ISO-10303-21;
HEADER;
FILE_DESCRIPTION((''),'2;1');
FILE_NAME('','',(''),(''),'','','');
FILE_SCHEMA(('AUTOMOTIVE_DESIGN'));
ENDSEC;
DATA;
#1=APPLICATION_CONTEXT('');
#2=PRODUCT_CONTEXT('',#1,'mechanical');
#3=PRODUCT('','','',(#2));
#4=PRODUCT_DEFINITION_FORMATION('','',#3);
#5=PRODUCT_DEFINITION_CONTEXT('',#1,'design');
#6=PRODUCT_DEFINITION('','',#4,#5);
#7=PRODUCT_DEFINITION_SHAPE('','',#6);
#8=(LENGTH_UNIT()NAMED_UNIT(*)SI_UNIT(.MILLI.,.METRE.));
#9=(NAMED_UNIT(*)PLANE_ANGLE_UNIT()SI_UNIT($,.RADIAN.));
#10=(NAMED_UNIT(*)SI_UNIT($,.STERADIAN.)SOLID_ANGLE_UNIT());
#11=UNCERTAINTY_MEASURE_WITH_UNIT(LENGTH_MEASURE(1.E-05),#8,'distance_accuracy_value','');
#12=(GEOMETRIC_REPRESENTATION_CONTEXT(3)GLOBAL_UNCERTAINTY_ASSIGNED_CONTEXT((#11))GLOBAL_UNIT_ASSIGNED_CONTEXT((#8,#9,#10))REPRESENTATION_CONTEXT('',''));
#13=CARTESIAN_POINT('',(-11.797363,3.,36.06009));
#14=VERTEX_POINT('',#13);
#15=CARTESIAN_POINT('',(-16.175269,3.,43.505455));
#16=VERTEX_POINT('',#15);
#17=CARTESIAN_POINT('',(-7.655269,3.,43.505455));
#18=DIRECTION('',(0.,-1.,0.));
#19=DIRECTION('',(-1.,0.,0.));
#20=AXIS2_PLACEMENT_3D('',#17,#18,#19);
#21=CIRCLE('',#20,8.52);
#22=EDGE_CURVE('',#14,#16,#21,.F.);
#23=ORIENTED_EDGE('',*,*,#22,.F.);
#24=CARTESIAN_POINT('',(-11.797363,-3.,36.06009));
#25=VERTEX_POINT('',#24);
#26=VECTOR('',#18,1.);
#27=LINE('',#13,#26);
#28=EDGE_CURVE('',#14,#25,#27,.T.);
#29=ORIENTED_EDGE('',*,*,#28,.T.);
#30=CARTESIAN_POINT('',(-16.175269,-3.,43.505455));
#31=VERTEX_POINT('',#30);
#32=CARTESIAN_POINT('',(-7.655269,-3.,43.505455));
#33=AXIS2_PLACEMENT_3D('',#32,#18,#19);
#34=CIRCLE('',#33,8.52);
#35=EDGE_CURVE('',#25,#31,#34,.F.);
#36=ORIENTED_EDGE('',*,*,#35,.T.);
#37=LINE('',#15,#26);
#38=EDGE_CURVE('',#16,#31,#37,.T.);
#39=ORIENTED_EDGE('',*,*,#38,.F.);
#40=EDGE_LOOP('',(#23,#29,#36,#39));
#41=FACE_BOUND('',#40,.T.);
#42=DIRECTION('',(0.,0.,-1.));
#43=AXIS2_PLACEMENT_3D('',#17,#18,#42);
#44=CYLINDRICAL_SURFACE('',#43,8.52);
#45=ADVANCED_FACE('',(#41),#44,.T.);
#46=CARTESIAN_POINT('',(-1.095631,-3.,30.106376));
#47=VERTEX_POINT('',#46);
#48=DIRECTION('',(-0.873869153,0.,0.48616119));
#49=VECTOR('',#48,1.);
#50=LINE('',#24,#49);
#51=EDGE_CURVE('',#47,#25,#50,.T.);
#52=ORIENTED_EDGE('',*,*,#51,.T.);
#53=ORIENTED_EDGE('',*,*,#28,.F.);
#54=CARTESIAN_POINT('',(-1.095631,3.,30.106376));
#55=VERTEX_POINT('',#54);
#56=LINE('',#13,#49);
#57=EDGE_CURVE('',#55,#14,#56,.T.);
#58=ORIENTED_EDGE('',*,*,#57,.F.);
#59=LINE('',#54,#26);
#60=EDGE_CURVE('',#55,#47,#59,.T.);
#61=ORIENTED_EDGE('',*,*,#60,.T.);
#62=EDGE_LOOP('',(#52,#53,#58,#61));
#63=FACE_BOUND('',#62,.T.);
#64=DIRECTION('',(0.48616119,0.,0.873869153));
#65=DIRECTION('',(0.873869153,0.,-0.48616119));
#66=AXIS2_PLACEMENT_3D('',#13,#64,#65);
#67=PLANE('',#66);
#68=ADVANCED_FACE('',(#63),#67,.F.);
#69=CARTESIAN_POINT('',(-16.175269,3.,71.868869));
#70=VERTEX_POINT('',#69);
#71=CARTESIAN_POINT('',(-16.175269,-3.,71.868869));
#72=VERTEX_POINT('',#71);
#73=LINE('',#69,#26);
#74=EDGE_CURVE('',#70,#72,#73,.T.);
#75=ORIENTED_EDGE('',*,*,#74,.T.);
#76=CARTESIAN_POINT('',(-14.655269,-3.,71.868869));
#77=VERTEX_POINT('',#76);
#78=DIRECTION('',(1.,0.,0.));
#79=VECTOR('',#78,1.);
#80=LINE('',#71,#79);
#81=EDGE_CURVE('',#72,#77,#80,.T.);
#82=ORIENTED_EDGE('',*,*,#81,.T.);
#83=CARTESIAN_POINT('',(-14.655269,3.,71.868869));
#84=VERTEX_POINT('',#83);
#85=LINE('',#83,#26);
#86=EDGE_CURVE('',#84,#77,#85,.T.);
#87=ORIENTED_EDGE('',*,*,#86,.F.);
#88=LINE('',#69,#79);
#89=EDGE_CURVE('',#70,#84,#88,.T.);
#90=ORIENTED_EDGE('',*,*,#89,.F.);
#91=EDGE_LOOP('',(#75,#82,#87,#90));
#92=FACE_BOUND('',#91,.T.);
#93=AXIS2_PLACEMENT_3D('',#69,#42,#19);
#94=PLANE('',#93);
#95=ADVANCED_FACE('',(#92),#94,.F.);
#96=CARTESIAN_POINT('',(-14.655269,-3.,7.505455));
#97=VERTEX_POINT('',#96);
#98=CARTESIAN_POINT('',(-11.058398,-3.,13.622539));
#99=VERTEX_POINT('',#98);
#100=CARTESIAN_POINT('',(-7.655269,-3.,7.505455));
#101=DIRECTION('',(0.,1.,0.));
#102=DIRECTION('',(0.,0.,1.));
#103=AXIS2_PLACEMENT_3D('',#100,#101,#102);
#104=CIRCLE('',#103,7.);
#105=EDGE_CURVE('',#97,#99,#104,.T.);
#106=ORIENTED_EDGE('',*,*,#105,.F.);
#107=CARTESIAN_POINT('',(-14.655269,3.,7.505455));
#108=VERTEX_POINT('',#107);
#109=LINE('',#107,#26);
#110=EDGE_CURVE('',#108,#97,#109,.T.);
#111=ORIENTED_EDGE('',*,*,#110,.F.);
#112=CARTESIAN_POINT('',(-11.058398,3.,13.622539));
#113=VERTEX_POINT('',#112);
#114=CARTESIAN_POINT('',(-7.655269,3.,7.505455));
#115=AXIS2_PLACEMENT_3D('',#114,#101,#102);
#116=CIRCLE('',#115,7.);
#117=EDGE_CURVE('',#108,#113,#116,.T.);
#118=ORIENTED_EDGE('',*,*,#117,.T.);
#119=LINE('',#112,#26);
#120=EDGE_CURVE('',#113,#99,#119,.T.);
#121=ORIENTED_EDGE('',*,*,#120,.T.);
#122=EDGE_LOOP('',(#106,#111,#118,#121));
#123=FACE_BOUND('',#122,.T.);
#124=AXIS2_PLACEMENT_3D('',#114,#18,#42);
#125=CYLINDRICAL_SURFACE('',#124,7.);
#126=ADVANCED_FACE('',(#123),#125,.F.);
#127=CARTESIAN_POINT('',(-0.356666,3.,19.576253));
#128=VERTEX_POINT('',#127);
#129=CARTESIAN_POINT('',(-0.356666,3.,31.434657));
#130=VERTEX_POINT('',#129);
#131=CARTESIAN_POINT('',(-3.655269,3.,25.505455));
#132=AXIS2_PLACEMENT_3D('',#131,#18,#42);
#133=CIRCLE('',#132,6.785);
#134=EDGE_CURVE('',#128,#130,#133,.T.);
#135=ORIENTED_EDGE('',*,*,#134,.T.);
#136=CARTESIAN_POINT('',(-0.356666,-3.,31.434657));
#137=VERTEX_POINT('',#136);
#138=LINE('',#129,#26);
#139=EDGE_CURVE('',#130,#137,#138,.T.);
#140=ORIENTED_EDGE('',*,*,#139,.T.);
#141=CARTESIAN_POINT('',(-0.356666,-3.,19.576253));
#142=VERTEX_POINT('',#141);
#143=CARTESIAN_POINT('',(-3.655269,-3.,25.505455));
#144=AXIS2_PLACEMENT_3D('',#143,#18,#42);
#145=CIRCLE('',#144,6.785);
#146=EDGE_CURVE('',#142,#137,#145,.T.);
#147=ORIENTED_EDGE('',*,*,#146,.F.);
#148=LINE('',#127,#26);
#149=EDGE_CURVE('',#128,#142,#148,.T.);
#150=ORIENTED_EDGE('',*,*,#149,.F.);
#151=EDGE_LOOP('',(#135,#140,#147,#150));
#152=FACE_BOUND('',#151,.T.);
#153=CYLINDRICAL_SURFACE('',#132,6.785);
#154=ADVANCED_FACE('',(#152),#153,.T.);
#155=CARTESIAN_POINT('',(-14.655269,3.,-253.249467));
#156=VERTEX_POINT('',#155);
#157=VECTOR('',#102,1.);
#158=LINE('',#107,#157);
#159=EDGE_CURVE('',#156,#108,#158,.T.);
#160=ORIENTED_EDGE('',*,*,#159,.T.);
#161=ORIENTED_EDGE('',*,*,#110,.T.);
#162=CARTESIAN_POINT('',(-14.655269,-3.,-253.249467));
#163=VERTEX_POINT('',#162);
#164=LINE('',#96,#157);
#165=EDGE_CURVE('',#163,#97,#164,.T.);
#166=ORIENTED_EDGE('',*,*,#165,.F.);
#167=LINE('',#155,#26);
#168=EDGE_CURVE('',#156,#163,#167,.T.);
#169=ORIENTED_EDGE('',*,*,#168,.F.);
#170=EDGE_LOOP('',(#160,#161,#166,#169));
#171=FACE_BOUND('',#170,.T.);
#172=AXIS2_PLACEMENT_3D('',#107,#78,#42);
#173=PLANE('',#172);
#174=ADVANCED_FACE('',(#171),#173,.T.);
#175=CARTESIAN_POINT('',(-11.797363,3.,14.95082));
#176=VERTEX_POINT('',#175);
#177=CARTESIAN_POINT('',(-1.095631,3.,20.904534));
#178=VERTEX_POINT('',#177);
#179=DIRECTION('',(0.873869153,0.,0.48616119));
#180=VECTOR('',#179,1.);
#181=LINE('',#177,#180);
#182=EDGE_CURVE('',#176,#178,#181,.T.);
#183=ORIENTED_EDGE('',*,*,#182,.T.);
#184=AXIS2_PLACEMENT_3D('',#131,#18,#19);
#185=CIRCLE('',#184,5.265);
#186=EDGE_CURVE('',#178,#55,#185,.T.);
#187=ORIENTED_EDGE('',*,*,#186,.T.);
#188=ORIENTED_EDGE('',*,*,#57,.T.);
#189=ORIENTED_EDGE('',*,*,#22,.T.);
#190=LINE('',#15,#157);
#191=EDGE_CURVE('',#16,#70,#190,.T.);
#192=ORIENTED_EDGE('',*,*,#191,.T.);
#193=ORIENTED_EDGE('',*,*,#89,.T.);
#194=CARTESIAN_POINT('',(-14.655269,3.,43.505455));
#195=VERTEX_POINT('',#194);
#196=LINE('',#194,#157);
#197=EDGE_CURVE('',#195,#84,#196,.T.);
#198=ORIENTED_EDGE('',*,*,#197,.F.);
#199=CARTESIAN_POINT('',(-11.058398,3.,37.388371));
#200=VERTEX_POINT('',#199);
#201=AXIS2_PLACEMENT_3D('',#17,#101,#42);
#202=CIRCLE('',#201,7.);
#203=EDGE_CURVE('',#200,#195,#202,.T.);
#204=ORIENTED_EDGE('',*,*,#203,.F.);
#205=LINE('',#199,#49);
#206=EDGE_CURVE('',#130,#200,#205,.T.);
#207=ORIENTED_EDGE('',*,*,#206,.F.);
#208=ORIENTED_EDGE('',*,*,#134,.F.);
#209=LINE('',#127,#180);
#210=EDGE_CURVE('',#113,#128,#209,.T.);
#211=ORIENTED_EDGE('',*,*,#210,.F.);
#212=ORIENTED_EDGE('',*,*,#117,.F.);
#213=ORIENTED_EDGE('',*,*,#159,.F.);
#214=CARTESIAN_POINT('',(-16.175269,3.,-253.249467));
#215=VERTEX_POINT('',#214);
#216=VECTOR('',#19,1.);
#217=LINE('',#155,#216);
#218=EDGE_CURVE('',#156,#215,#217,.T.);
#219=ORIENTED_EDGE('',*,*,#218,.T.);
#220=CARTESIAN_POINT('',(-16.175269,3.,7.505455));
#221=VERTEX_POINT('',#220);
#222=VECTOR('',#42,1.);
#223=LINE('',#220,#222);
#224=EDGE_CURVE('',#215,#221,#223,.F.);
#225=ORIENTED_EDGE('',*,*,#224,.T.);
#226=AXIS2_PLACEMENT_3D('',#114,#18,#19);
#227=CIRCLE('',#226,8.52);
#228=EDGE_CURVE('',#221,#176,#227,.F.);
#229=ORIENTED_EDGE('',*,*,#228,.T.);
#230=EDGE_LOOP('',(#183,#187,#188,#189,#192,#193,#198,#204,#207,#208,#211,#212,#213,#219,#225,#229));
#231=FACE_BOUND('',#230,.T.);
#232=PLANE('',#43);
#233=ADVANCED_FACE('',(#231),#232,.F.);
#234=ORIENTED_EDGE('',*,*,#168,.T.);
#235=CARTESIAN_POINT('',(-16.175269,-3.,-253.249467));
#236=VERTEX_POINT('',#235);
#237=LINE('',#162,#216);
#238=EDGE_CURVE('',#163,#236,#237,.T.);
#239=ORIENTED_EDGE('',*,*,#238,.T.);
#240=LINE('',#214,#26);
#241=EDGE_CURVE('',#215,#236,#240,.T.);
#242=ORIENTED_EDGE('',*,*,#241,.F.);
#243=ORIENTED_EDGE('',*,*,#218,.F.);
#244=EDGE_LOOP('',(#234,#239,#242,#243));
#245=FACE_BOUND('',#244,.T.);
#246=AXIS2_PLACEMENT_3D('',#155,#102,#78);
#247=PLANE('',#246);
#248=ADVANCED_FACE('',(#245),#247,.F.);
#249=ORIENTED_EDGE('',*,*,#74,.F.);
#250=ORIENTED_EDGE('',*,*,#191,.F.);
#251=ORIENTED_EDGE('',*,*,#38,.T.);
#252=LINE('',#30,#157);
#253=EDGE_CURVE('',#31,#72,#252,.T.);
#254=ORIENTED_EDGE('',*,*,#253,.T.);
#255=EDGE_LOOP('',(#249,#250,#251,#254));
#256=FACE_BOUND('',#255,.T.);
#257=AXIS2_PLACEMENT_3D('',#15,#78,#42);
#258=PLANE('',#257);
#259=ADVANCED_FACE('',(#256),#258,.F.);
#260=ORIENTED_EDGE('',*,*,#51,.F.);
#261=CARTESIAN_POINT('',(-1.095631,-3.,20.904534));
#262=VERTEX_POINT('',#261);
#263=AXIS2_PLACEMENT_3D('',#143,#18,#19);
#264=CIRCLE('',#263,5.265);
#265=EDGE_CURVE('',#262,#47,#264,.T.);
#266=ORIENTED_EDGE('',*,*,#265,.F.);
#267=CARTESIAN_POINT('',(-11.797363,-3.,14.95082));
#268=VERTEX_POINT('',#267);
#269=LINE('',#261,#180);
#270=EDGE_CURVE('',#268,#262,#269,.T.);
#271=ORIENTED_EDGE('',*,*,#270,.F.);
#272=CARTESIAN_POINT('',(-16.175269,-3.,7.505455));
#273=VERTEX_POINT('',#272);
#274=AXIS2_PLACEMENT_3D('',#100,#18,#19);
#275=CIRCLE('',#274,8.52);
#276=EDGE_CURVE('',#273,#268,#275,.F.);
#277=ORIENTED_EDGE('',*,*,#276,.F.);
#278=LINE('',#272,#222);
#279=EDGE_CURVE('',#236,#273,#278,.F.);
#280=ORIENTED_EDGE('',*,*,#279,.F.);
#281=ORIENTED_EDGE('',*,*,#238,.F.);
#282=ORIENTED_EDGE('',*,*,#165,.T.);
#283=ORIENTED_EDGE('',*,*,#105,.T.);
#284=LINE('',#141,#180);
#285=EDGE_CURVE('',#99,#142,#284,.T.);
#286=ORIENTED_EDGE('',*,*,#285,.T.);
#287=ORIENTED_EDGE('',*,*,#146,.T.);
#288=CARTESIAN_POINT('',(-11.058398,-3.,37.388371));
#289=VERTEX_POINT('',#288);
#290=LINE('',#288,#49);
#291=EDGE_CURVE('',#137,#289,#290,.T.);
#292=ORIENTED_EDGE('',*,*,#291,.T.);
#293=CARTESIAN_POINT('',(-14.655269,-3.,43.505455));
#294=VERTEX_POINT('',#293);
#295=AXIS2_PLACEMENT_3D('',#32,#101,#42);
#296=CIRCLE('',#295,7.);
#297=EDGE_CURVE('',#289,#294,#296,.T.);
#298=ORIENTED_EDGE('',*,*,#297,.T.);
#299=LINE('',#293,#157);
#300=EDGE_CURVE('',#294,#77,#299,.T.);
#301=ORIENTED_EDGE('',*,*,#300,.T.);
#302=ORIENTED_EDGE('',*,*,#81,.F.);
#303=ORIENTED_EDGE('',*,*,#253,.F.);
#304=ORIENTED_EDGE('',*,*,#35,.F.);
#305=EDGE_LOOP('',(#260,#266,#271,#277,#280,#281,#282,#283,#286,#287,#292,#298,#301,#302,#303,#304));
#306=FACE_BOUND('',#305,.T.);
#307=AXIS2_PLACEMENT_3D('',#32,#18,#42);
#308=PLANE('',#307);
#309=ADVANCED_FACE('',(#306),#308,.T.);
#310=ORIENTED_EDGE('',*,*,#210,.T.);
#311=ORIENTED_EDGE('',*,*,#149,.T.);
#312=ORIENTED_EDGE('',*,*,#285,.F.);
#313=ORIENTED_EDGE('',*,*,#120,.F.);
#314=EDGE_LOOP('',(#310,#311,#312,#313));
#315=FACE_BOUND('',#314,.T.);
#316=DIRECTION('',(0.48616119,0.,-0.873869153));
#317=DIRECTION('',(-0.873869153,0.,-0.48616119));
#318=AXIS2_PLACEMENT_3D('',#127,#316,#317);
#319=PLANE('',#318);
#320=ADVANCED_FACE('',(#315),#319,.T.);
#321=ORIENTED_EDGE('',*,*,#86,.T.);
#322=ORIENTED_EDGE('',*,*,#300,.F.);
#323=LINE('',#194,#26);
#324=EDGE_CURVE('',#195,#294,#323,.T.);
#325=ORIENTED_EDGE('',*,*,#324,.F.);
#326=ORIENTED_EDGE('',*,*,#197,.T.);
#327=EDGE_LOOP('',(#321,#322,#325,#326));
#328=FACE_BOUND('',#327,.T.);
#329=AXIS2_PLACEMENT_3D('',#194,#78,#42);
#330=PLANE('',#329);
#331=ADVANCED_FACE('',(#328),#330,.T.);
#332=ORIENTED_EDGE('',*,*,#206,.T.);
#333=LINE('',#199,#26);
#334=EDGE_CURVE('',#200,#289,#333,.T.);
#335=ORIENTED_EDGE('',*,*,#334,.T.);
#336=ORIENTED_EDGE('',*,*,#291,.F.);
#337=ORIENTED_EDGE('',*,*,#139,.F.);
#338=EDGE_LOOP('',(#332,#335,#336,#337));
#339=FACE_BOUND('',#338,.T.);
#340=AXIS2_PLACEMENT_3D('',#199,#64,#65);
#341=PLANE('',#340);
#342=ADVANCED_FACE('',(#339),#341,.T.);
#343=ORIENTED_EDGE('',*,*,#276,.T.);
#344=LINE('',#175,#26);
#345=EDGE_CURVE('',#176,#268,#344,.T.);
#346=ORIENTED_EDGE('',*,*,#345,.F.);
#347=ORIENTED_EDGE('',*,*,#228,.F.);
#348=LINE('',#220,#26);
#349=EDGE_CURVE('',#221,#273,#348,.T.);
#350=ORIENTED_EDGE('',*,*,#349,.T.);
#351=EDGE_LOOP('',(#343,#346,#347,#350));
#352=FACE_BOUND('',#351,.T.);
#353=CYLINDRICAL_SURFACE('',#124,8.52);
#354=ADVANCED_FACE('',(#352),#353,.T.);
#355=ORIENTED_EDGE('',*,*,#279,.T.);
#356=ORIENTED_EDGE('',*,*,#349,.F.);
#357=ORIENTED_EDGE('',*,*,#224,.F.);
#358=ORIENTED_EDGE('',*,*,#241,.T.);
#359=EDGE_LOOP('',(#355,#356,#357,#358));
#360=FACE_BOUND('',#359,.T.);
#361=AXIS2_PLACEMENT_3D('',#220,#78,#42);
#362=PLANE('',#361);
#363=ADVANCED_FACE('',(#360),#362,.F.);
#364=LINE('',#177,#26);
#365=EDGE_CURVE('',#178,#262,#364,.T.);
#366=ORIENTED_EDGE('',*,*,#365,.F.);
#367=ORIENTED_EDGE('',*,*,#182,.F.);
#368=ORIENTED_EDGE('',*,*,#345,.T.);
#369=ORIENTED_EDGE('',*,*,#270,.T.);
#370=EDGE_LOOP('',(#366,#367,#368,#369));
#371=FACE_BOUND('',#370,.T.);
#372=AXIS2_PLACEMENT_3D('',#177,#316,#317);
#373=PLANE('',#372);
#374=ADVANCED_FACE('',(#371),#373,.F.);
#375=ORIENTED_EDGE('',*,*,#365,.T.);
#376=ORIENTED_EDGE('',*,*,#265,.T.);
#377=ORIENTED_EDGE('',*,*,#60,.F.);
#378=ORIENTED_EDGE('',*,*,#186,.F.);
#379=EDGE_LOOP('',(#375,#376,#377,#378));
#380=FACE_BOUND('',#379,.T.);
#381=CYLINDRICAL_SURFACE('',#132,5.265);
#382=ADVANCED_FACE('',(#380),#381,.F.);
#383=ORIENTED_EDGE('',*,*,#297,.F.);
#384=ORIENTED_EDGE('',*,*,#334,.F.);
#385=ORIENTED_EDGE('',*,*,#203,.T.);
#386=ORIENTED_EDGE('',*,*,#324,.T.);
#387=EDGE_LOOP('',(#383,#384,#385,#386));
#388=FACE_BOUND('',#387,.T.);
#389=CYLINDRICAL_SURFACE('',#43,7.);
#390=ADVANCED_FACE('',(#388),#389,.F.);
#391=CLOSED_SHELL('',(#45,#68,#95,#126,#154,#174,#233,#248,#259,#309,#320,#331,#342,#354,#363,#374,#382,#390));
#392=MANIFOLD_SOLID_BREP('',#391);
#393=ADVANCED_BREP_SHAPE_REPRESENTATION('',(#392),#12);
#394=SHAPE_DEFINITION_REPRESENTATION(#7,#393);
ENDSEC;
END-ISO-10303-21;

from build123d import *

# Parameters (mm, degrees)
EXTRUDE_THIN3_DEPTH = 3


with BuildPart() as part:
    # Sketch1 → Extrude-Thin3 (new, symmetric)
    with BuildSketch(Plane(origin=(-8.571526854, 0, 0.941402276), x_dir=(-1, 0, 0), z_dir=(0, -1, 0))):
        with BuildLine():
            Line((6.083742525, 254.190869482), (6.083742525, -6.564052672))
            ThreePointArc((6.083742525, -6.564052672), (5.117891111, -10.112157919), (2.486870856, -12.681136746))
            Line((2.486870856, -12.681136746), (-8.21486115, -18.634850467))
            ThreePointArc((-8.21486115, -18.634850467), (-11.701257475, -24.564052672), (-8.21486115, -30.493254878))
            Line((-8.21486115, -30.493254878), (2.486870856, -36.446968599))
            ThreePointArc((2.486870856, -36.446968599), (5.117891111, -39.015947426), (6.083742525, -42.564052672))
            Line((6.083742525, -42.564052672), (6.083742525, -70.927467156))
            Line((6.083742525, -70.927467156), (7.603742525, -70.927467156))
            Line((7.603742525, -70.927467156), (7.603742525, -42.564052672))
            ThreePointArc((7.603742525, -42.564052672), (6.428163376, -38.245501715), (3.225835865, -35.118687486))
            Line((3.225835865, -35.118687486), (-7.475896141, -29.164973765))
            ThreePointArc((-7.475896141, -29.164973765), (-10.181257475, -24.564052672), (-7.475896141, -19.96313158))
            Line((-7.475896141, -19.96313158), (3.225835865, -14.009417859))
            ThreePointArc((3.225835865, -14.009417859), (6.428163376, -10.88260363), (7.603742525, -6.564052672))
            Line((7.603742525, -6.564052672), (7.603742525, 254.190869482))
            Line((7.603742525, 254.190869482), (6.083742525, 254.190869482))
        make_face()
    extrude(amount=EXTRUDE_THIN3_DEPTH, both=True)


solid = part.part
